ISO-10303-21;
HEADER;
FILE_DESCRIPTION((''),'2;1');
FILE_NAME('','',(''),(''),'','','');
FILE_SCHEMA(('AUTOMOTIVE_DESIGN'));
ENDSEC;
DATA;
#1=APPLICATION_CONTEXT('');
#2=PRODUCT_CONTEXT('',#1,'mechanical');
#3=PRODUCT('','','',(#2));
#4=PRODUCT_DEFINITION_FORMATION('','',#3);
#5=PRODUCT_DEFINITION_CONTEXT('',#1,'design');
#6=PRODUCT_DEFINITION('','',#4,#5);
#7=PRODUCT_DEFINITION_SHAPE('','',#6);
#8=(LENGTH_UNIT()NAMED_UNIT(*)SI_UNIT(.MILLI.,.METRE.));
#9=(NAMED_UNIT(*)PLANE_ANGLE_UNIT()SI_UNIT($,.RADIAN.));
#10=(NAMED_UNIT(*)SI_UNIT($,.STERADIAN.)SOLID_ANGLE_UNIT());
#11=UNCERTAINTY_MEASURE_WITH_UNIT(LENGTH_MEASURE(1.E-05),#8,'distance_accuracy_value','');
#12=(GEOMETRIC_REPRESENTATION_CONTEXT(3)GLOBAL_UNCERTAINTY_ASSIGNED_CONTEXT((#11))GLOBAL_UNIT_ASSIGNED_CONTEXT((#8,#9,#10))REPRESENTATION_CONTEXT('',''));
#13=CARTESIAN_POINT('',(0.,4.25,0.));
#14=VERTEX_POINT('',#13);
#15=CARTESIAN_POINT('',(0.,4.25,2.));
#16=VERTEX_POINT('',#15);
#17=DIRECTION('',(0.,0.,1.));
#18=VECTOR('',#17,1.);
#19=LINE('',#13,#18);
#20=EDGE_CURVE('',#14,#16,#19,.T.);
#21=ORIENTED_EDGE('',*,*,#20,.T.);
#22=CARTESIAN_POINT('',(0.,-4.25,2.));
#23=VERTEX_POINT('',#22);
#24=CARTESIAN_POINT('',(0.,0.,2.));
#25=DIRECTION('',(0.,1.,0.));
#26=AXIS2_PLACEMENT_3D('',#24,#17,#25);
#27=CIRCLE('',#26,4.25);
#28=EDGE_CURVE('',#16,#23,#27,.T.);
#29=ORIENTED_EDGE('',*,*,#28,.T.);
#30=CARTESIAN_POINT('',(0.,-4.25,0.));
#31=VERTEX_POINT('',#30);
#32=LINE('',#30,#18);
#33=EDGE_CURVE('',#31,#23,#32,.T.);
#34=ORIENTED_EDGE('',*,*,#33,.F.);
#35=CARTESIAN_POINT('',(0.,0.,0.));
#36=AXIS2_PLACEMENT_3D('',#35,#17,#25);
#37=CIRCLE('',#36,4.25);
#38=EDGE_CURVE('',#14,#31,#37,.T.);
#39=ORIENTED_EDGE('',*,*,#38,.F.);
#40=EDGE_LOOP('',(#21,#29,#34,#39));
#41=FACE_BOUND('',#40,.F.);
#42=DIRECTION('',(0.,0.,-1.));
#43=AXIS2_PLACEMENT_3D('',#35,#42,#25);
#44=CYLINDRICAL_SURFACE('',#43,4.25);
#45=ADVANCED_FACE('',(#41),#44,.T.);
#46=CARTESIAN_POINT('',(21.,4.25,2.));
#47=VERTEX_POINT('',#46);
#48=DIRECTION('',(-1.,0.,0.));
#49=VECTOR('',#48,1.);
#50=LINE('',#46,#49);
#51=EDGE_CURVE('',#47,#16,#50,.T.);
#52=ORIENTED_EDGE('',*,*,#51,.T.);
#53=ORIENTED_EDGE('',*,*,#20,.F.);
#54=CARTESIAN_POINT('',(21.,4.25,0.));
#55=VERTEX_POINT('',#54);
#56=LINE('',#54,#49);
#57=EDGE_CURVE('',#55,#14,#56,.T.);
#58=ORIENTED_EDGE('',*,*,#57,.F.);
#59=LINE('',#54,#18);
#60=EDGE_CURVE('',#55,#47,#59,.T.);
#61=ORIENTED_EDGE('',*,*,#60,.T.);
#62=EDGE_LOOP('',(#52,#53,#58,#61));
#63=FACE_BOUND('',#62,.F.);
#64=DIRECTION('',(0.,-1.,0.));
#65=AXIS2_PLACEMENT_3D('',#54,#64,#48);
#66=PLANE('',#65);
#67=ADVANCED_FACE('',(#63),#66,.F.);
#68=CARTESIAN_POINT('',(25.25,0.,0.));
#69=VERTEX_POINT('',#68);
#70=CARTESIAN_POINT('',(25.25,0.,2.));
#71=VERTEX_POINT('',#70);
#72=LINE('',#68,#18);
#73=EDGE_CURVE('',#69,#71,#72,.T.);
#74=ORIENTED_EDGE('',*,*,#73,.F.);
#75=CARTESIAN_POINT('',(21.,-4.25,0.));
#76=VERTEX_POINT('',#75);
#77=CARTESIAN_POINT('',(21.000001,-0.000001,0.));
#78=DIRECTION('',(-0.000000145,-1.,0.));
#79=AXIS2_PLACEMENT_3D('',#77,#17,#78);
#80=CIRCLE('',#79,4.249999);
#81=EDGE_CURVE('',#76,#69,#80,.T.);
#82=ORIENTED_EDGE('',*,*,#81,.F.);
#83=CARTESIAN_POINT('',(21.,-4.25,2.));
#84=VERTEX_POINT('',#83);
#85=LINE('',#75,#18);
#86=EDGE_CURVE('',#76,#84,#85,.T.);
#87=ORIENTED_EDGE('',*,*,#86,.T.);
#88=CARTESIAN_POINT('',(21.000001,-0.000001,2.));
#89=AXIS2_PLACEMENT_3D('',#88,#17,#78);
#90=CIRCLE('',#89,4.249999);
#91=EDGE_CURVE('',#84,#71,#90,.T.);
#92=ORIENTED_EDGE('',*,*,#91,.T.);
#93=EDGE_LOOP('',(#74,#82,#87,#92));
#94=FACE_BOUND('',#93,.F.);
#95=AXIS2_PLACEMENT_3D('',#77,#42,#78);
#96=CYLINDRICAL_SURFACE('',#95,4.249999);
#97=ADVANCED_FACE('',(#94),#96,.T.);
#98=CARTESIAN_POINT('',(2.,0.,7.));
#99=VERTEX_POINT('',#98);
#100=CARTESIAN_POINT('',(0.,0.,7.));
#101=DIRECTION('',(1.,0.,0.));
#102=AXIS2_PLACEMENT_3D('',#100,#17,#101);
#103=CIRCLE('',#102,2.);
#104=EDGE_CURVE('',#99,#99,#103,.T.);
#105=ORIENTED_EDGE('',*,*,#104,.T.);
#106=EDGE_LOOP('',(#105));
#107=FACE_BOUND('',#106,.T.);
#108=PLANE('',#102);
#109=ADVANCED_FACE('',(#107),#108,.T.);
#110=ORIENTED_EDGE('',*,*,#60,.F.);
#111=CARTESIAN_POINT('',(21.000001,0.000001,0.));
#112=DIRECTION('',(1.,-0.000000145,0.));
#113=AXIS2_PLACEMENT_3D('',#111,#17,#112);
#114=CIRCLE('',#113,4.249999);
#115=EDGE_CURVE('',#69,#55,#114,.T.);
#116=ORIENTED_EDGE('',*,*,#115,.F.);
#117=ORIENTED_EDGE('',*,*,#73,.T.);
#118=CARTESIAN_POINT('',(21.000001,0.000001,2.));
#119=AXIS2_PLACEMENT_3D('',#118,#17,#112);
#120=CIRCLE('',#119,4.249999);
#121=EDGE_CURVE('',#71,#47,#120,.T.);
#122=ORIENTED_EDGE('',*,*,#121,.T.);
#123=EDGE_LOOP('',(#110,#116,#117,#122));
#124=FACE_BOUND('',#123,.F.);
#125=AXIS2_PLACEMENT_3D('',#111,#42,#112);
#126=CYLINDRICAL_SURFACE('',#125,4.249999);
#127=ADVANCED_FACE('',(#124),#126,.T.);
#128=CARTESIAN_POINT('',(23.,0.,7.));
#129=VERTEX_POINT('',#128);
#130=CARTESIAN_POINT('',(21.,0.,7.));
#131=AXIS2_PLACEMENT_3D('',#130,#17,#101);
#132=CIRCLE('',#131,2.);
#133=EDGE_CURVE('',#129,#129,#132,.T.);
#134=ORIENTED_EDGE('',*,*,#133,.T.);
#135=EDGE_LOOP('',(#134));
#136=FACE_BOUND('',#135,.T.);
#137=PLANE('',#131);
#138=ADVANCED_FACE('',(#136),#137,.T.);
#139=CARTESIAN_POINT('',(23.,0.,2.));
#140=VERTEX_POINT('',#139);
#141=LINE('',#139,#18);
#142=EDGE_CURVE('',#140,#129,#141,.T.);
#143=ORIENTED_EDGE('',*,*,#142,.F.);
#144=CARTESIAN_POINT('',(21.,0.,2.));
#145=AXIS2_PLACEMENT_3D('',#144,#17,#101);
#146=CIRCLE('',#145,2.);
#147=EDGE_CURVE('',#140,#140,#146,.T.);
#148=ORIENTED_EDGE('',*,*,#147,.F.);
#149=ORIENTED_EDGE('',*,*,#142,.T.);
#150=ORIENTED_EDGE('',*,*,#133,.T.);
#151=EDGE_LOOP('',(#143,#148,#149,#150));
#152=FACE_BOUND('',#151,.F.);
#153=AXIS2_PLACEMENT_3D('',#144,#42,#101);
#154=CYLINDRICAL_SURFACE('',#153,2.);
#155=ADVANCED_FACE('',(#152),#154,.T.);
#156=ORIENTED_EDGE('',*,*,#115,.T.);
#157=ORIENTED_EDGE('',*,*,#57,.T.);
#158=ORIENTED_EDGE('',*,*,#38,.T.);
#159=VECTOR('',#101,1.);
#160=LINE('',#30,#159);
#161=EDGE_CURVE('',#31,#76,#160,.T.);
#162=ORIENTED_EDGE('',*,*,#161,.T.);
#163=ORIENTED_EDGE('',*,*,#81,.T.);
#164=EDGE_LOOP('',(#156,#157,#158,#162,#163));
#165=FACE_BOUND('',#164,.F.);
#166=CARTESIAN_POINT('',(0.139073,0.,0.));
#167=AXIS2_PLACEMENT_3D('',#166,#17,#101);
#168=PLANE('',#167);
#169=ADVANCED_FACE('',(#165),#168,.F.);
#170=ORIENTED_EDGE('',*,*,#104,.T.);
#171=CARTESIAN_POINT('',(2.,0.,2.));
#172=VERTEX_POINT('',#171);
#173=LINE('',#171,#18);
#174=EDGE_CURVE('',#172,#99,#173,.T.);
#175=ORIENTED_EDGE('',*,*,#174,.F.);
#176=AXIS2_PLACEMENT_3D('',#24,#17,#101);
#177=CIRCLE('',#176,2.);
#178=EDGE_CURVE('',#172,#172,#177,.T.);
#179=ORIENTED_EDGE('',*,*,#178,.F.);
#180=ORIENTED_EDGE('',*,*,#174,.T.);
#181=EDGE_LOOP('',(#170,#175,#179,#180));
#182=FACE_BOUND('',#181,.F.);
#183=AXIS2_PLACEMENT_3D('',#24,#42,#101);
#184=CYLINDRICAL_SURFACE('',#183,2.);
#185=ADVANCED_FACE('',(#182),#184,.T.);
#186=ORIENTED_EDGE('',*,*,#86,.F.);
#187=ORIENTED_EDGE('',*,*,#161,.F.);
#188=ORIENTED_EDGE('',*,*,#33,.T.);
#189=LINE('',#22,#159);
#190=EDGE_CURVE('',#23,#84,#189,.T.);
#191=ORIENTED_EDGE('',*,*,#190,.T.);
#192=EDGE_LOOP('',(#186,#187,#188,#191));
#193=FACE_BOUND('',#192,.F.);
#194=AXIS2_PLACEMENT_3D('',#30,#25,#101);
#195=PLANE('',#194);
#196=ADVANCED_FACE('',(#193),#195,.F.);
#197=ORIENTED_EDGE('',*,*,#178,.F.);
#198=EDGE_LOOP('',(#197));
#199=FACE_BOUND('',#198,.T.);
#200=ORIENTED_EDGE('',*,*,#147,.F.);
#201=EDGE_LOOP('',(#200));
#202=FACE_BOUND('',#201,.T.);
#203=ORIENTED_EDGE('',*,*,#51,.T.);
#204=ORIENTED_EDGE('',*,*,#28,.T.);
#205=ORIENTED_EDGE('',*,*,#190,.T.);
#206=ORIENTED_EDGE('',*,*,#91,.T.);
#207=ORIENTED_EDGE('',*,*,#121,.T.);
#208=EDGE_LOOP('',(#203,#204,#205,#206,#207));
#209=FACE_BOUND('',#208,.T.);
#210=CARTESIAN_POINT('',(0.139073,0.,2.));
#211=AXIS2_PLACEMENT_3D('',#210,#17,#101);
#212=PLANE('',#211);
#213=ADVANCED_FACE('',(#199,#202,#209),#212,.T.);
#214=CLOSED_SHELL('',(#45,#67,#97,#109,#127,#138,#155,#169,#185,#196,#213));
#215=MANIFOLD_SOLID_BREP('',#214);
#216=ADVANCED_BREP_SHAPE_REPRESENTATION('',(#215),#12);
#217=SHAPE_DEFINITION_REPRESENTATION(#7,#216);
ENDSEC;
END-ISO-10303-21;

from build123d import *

# Parameters (mm, degrees)
F1_DEPTH = 2
F2_R     = 2
F3_DEPTH = 5


with BuildPart() as f1:
    # F0 (on Top) → F1 (new body)
    with BuildSketch(Plane.XY):
        with BuildLine():
            ThreePointArc((0, -4.25), (3.005204, -3.005204), (4.25, 0))
            ThreePointArc((4.25, 0), (3.005204, 3.005204), (0, 4.25))
            ThreePointArc((0, 4.25), (-4.25, 0), (0, -4.25))
        make_face()
        with BuildLine():
            ThreePointArc((0, 4.25), (3.005204, 3.005204), (4.25, 0))
            ThreePointArc((4.25, 0), (3.005204, -3.005204), (0, -4.25))
            Line((0, -4.25), (21, -4.25))
            ThreePointArc((21, -4.25), (16.75, 0), (21, 4.25))
            Line((21, 4.25), (0, 4.25))
        make_face()
        with BuildLine():
            ThreePointArc((25.25, 0), (24.005204, 3.005204), (21, 4.25))
            ThreePointArc((21, 4.25), (16.75, 0), (21, -4.25))
            ThreePointArc((21, -4.25), (24.005204, -3.005204), (25.25, 0))
        make_face()
    extrude(amount=F1_DEPTH)

    # F2 (on face) → F3 (join)
    with BuildSketch(Plane.XY.offset(2)):
        Circle(F2_R)
        with Locations((21, 0)):
            Circle(F2_R)
    extrude(amount=F3_DEPTH)


solid = f1.part
